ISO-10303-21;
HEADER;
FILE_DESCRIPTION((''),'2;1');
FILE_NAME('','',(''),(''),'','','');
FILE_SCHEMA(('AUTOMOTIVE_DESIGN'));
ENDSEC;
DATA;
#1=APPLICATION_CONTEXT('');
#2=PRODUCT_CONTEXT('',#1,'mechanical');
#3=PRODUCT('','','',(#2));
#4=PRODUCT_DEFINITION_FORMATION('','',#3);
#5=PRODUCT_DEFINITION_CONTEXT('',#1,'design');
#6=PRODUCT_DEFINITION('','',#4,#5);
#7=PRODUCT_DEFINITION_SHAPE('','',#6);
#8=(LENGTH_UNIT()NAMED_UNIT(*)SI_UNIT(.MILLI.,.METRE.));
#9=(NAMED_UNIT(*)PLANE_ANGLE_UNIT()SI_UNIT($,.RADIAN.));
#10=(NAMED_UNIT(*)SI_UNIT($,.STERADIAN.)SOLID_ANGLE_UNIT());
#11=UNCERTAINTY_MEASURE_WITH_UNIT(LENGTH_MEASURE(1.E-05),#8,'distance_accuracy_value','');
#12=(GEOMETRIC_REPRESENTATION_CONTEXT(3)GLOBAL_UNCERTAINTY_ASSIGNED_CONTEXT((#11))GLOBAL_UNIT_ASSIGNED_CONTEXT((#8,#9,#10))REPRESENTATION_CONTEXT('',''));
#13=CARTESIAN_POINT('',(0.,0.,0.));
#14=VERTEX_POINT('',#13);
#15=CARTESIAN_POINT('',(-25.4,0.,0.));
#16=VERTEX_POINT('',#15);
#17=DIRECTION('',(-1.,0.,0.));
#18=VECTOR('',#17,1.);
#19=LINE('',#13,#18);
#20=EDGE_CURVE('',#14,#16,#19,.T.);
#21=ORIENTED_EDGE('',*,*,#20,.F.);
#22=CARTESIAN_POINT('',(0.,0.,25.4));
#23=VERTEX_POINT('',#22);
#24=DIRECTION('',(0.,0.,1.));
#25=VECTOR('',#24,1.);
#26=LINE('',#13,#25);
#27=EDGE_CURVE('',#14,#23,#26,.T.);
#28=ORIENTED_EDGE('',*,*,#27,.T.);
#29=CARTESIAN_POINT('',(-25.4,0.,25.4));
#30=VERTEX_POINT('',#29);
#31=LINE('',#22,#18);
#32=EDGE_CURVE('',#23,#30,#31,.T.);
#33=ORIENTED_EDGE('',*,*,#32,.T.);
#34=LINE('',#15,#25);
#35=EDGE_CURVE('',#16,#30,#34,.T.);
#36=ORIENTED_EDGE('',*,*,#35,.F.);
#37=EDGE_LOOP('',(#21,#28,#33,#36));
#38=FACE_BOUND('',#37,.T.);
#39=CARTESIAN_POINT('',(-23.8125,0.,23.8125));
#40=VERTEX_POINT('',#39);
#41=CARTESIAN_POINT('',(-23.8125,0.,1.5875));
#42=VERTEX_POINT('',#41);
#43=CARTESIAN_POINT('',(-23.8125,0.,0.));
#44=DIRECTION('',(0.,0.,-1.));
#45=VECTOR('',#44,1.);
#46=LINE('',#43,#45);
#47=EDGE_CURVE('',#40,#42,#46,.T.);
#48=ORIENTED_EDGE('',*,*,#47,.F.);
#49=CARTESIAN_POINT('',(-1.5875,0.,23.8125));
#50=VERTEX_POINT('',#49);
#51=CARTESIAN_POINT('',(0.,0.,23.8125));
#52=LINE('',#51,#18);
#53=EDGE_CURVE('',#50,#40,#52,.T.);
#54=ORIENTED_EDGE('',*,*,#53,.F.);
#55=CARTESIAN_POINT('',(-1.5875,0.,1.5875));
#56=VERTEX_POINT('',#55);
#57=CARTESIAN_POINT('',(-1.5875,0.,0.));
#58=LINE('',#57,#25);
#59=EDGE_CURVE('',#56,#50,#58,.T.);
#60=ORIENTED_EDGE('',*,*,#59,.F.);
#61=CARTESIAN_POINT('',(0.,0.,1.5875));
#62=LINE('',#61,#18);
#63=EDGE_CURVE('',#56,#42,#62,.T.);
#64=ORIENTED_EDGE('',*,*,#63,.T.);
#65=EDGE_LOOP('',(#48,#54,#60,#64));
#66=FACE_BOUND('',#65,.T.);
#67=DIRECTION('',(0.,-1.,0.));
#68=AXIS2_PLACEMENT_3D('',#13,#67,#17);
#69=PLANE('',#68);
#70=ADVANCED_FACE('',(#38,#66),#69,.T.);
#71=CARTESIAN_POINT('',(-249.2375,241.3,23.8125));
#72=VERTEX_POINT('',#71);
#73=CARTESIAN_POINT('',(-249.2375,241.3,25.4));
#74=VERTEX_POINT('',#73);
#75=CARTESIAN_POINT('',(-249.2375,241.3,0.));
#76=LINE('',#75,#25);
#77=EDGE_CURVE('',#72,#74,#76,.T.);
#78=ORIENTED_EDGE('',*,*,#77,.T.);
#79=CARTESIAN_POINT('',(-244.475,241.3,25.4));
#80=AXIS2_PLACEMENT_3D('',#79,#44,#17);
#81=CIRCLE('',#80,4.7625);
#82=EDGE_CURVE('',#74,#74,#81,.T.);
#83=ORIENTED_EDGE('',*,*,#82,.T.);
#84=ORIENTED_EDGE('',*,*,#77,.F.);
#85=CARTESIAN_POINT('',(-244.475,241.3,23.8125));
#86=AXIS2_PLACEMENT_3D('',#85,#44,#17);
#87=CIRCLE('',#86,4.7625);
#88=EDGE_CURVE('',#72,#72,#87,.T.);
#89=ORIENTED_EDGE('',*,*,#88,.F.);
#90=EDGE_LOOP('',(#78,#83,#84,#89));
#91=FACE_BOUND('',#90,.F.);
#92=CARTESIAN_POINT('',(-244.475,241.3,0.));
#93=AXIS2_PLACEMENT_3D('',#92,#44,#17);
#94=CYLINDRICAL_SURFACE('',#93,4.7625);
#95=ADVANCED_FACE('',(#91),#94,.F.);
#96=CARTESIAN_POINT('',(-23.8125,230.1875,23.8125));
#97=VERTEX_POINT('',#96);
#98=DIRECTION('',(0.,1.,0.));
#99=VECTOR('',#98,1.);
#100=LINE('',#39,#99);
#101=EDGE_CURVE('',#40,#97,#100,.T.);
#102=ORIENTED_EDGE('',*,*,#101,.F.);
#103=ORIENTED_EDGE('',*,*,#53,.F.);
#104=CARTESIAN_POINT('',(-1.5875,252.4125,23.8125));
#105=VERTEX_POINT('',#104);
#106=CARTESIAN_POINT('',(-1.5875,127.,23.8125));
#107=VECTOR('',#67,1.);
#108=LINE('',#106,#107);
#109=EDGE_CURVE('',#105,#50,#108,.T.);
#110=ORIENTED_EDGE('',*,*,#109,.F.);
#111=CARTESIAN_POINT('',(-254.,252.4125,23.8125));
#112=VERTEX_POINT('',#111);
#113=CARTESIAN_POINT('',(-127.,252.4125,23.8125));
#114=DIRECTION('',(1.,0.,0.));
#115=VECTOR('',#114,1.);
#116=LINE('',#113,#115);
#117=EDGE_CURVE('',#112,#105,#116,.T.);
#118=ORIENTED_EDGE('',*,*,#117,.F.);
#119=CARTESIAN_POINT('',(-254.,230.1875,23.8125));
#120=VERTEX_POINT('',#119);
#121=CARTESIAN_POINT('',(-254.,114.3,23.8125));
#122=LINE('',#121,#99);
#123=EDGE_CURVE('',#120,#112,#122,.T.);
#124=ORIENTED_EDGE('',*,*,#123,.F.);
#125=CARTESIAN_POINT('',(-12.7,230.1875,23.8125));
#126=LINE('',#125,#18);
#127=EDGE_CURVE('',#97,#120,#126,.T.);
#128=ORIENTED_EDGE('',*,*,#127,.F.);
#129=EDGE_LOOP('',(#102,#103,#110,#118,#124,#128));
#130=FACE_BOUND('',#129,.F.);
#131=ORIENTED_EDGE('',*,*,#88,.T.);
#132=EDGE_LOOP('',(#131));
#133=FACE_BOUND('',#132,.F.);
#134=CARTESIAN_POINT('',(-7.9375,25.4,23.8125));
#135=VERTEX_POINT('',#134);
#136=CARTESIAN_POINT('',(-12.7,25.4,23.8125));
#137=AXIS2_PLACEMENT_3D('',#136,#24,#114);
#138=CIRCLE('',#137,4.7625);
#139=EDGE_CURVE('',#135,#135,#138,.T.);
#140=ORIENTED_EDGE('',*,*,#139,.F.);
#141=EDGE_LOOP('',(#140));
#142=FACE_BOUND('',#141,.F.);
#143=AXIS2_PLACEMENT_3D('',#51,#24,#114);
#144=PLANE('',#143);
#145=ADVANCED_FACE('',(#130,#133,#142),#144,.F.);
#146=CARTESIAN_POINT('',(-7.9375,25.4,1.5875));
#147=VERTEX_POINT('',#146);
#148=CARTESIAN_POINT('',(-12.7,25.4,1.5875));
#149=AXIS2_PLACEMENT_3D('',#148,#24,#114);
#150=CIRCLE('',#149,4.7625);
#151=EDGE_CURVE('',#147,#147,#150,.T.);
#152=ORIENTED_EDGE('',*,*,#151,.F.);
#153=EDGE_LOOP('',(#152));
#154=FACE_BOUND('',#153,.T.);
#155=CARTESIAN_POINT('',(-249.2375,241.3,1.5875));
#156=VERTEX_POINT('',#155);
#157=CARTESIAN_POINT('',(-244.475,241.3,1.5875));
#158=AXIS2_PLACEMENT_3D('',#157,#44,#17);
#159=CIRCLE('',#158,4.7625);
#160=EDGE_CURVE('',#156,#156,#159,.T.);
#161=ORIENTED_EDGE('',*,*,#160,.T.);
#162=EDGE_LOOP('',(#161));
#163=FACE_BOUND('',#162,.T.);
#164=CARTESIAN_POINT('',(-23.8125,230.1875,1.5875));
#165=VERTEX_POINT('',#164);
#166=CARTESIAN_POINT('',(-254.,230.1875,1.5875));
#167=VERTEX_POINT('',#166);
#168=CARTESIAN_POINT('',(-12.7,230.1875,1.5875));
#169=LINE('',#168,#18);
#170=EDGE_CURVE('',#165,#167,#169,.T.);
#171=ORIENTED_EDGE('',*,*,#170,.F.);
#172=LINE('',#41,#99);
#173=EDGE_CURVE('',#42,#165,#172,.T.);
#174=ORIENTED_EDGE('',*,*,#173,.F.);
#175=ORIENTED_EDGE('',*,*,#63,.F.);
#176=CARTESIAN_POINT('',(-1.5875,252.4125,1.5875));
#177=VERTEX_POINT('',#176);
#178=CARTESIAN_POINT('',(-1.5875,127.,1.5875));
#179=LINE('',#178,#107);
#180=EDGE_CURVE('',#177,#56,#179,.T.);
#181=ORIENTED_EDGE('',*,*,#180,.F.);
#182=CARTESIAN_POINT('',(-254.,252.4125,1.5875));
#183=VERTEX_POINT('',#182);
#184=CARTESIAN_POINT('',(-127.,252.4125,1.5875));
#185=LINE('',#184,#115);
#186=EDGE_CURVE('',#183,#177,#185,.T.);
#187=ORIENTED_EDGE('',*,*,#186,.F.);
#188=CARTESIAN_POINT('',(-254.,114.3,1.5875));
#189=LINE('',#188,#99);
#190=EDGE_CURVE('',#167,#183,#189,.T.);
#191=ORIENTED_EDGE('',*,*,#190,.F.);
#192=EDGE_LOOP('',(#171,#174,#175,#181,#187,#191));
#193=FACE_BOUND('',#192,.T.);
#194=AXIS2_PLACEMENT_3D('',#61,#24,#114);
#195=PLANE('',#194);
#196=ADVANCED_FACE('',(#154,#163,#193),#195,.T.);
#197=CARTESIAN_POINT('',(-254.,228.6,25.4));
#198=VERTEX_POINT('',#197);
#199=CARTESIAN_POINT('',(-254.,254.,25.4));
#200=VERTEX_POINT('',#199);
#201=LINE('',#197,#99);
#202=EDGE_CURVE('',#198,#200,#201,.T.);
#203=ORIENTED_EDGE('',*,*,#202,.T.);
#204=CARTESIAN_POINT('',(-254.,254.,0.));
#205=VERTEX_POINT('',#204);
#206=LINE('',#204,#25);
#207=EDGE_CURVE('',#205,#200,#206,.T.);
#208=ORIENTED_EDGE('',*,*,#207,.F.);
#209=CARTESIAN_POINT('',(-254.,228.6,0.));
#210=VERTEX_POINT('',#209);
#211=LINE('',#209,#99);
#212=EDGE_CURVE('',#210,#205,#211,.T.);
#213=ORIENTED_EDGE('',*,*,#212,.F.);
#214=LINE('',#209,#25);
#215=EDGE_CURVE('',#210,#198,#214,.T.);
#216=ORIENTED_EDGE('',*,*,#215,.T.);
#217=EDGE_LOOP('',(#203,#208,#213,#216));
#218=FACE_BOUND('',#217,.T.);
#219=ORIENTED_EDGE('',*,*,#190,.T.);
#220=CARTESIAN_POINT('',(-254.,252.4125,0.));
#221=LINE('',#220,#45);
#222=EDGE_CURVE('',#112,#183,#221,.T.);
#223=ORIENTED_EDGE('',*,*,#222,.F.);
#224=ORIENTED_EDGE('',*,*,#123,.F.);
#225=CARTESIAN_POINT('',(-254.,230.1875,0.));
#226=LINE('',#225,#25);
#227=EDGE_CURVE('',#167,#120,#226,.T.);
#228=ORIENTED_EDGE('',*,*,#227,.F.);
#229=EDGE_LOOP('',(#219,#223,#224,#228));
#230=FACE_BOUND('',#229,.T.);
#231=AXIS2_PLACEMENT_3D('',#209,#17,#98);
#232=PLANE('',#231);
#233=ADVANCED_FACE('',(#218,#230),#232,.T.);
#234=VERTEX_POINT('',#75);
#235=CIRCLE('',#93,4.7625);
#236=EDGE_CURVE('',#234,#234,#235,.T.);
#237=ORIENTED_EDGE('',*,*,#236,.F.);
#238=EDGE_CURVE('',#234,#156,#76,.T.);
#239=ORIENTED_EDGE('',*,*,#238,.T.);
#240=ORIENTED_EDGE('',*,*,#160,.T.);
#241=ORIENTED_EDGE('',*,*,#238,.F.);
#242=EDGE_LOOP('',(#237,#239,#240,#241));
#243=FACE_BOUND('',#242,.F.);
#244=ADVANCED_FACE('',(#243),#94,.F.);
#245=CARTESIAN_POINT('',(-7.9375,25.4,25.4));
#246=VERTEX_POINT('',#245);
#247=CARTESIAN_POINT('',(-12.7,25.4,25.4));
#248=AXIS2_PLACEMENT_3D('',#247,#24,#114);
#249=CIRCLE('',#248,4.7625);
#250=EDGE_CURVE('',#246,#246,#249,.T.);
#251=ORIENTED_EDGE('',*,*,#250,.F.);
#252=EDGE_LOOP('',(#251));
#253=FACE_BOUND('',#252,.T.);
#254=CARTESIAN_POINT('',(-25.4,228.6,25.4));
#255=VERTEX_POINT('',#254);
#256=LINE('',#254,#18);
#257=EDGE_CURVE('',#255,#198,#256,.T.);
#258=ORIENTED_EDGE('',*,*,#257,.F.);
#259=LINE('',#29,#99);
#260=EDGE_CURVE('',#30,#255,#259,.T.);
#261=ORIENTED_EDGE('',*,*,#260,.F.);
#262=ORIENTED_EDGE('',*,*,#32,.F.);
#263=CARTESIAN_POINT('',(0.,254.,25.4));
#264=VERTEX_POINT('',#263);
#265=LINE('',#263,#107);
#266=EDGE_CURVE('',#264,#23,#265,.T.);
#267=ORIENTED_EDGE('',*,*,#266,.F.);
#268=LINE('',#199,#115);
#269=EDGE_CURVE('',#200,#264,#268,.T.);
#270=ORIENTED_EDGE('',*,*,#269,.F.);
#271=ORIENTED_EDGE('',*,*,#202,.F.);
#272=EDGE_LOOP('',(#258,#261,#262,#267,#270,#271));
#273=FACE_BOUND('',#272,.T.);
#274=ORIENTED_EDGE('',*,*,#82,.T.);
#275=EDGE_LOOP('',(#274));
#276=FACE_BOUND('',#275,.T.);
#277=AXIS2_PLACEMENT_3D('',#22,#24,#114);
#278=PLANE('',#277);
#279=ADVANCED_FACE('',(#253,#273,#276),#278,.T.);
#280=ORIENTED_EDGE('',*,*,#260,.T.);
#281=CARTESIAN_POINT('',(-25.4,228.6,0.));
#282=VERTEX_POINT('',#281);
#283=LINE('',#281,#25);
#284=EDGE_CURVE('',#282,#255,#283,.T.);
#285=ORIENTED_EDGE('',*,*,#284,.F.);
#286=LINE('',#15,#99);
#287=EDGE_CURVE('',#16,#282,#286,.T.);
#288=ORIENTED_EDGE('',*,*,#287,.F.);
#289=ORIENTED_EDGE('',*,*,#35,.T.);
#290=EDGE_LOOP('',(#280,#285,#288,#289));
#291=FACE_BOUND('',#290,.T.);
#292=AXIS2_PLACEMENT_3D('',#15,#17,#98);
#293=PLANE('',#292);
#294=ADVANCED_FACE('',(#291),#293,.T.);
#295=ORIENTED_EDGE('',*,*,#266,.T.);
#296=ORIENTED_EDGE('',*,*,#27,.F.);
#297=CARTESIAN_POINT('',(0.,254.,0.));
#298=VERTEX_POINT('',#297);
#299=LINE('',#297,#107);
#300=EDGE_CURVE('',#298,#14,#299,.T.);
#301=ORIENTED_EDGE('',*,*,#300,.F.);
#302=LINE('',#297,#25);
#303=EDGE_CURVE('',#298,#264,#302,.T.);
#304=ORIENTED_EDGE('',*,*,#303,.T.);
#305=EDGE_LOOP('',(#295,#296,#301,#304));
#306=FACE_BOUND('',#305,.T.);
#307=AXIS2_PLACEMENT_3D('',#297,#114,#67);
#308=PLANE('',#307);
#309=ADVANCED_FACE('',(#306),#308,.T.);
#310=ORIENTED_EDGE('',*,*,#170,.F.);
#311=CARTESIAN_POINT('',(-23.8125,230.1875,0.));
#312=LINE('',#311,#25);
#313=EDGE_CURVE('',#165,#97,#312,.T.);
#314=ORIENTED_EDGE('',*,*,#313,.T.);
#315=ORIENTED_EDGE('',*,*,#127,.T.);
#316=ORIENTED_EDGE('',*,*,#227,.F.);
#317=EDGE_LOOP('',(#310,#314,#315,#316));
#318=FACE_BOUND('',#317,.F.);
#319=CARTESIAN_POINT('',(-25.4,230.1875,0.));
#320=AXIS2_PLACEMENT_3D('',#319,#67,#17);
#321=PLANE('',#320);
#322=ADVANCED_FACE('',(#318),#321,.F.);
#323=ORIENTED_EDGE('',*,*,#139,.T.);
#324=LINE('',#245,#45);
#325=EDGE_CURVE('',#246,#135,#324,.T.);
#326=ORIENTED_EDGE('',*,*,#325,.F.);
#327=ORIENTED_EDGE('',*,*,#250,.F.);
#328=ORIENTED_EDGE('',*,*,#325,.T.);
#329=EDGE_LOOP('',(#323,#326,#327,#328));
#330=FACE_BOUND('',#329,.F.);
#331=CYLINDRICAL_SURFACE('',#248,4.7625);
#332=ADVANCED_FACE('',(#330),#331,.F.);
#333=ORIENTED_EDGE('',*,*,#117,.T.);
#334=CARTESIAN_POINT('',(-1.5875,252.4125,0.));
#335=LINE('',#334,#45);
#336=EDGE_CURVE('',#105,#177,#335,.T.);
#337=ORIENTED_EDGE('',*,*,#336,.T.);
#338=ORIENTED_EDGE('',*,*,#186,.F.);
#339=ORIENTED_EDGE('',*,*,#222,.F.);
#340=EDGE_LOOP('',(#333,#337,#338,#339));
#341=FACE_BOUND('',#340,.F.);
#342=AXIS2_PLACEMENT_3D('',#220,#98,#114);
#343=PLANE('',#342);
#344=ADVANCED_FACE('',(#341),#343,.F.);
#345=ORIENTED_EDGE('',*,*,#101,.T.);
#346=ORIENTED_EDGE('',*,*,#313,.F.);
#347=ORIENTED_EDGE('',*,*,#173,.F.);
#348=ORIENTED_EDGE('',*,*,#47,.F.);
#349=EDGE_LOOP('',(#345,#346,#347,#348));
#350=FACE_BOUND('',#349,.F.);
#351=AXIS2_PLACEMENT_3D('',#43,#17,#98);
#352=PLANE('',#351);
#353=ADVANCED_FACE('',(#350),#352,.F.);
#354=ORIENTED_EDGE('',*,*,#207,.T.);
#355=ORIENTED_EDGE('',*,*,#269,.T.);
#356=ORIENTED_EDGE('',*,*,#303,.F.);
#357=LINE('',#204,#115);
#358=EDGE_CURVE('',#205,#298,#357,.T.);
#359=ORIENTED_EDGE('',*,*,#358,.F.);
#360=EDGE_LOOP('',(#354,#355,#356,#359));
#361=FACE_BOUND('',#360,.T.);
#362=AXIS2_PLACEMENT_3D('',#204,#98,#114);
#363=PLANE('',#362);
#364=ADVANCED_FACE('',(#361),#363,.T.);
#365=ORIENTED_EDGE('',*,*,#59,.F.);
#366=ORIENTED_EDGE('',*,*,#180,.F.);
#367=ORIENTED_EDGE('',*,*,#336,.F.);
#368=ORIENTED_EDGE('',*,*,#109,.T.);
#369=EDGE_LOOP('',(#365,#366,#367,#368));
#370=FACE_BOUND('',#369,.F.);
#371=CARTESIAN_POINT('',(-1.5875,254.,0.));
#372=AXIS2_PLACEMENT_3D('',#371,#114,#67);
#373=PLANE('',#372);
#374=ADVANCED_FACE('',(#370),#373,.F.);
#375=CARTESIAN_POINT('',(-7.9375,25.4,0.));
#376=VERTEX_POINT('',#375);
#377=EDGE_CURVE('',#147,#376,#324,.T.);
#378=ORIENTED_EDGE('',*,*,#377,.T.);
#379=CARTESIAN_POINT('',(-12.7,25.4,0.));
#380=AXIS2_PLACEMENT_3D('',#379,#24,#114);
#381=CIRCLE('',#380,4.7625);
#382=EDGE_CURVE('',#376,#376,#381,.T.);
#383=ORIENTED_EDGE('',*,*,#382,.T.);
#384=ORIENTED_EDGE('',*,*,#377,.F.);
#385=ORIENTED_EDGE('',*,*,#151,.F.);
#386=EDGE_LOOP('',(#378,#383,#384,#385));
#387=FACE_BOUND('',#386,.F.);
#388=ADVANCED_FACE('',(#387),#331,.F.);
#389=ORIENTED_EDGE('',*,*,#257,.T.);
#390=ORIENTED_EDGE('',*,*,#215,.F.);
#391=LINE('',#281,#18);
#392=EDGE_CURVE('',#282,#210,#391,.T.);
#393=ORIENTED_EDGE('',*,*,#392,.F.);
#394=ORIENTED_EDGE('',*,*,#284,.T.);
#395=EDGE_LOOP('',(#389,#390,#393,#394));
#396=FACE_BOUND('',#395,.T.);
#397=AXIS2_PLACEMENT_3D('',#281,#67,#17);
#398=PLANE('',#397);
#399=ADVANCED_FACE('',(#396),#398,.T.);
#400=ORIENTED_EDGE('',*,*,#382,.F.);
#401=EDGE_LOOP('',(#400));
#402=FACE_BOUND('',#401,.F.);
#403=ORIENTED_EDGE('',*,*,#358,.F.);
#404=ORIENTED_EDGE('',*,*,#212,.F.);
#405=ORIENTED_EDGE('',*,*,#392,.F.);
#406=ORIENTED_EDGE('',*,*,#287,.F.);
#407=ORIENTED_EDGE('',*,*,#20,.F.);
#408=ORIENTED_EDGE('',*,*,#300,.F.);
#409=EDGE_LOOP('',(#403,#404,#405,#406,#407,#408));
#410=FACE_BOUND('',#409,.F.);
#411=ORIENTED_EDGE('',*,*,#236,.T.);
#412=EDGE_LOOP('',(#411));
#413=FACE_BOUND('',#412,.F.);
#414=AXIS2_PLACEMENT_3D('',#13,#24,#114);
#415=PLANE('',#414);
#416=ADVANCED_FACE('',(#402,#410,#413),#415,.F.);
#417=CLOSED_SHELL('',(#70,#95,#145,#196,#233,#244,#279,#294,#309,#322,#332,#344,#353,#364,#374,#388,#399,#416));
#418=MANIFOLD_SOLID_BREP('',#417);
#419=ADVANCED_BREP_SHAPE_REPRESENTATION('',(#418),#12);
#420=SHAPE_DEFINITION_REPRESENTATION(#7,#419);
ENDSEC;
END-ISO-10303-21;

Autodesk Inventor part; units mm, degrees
ref_plane "YZ Plane" through (0, 0, 0) normal (1, 0, 0) x (0, 1, 0)
ref_plane "XZ Plane" through (0, 0, 0) normal (0, 1, 0) x (-1, 0, 0)
ref_plane "XY Plane" through (0, 0, 0) normal (0, 0, 1) x (1, 0, 0)
sketch "Sketch1" plane through (0, 0, 0) normal (0, 0, 1) x (1, 0, 0)
  line L0 (0, 0) -> (-25.4, 0)
  line L1 (-254, 228.6) -> (-254, 254)
  line L2 (-254, 254) -> (0, 254)
  line L3 (0, 254) -> (0, 0)
  line L4 (-25.4, 0) -> (-25.4, 228.6)
  line L5 (-25.4, 228.6) -> (-254, 228.6)
  dimension "d0" = 25.4
  dimension "d1" = 254
  dimension "d2" = 254
extrude "Extrusion1" add sketch "Sketch1" along normal blind 25.4
shell "Shell1" thickness 1.5875 removed faces 2 at (-8.4667, 0, 8.4667) at (-254, 237.0667, 8.4667)
sketch "Sketch2" plane through (0, 0, 25.4) normal (0, 0, 1) x (1, 0, 0)
  line L0 (0, 0) -> (-25.4, 0) projected
  line L1 (0, 254) -> (0, 0) projected
  circle A0 centre (-12.7, 25.4) radius 4.7625
  dimension "d6" = 9.525
  dimension "d7" = 12.7
  dimension "d8" = 25.4
extrude "Extrusion2" cut sketch "Sketch2" against normal through all
sketch "Sketch3" plane through (0, 0, 0) normal (0, 0, -1) x (-1, 0, 0)
  line L0 (25.4, 228.6) -> (254, 228.6) projected
  line L1 (254, 228.6) -> (254, 254) projected
  circle A0 centre (244.475, 241.3) radius 4.7625
  dimension "d11" = 9.525
  dimension "d12" = 12.7
  dimension "d13" = 9.525
extrude "Extrusion3" cut sketch "Sketch3" against normal through all
properties part number "LoweringArm" material "Aluminum-6061"
